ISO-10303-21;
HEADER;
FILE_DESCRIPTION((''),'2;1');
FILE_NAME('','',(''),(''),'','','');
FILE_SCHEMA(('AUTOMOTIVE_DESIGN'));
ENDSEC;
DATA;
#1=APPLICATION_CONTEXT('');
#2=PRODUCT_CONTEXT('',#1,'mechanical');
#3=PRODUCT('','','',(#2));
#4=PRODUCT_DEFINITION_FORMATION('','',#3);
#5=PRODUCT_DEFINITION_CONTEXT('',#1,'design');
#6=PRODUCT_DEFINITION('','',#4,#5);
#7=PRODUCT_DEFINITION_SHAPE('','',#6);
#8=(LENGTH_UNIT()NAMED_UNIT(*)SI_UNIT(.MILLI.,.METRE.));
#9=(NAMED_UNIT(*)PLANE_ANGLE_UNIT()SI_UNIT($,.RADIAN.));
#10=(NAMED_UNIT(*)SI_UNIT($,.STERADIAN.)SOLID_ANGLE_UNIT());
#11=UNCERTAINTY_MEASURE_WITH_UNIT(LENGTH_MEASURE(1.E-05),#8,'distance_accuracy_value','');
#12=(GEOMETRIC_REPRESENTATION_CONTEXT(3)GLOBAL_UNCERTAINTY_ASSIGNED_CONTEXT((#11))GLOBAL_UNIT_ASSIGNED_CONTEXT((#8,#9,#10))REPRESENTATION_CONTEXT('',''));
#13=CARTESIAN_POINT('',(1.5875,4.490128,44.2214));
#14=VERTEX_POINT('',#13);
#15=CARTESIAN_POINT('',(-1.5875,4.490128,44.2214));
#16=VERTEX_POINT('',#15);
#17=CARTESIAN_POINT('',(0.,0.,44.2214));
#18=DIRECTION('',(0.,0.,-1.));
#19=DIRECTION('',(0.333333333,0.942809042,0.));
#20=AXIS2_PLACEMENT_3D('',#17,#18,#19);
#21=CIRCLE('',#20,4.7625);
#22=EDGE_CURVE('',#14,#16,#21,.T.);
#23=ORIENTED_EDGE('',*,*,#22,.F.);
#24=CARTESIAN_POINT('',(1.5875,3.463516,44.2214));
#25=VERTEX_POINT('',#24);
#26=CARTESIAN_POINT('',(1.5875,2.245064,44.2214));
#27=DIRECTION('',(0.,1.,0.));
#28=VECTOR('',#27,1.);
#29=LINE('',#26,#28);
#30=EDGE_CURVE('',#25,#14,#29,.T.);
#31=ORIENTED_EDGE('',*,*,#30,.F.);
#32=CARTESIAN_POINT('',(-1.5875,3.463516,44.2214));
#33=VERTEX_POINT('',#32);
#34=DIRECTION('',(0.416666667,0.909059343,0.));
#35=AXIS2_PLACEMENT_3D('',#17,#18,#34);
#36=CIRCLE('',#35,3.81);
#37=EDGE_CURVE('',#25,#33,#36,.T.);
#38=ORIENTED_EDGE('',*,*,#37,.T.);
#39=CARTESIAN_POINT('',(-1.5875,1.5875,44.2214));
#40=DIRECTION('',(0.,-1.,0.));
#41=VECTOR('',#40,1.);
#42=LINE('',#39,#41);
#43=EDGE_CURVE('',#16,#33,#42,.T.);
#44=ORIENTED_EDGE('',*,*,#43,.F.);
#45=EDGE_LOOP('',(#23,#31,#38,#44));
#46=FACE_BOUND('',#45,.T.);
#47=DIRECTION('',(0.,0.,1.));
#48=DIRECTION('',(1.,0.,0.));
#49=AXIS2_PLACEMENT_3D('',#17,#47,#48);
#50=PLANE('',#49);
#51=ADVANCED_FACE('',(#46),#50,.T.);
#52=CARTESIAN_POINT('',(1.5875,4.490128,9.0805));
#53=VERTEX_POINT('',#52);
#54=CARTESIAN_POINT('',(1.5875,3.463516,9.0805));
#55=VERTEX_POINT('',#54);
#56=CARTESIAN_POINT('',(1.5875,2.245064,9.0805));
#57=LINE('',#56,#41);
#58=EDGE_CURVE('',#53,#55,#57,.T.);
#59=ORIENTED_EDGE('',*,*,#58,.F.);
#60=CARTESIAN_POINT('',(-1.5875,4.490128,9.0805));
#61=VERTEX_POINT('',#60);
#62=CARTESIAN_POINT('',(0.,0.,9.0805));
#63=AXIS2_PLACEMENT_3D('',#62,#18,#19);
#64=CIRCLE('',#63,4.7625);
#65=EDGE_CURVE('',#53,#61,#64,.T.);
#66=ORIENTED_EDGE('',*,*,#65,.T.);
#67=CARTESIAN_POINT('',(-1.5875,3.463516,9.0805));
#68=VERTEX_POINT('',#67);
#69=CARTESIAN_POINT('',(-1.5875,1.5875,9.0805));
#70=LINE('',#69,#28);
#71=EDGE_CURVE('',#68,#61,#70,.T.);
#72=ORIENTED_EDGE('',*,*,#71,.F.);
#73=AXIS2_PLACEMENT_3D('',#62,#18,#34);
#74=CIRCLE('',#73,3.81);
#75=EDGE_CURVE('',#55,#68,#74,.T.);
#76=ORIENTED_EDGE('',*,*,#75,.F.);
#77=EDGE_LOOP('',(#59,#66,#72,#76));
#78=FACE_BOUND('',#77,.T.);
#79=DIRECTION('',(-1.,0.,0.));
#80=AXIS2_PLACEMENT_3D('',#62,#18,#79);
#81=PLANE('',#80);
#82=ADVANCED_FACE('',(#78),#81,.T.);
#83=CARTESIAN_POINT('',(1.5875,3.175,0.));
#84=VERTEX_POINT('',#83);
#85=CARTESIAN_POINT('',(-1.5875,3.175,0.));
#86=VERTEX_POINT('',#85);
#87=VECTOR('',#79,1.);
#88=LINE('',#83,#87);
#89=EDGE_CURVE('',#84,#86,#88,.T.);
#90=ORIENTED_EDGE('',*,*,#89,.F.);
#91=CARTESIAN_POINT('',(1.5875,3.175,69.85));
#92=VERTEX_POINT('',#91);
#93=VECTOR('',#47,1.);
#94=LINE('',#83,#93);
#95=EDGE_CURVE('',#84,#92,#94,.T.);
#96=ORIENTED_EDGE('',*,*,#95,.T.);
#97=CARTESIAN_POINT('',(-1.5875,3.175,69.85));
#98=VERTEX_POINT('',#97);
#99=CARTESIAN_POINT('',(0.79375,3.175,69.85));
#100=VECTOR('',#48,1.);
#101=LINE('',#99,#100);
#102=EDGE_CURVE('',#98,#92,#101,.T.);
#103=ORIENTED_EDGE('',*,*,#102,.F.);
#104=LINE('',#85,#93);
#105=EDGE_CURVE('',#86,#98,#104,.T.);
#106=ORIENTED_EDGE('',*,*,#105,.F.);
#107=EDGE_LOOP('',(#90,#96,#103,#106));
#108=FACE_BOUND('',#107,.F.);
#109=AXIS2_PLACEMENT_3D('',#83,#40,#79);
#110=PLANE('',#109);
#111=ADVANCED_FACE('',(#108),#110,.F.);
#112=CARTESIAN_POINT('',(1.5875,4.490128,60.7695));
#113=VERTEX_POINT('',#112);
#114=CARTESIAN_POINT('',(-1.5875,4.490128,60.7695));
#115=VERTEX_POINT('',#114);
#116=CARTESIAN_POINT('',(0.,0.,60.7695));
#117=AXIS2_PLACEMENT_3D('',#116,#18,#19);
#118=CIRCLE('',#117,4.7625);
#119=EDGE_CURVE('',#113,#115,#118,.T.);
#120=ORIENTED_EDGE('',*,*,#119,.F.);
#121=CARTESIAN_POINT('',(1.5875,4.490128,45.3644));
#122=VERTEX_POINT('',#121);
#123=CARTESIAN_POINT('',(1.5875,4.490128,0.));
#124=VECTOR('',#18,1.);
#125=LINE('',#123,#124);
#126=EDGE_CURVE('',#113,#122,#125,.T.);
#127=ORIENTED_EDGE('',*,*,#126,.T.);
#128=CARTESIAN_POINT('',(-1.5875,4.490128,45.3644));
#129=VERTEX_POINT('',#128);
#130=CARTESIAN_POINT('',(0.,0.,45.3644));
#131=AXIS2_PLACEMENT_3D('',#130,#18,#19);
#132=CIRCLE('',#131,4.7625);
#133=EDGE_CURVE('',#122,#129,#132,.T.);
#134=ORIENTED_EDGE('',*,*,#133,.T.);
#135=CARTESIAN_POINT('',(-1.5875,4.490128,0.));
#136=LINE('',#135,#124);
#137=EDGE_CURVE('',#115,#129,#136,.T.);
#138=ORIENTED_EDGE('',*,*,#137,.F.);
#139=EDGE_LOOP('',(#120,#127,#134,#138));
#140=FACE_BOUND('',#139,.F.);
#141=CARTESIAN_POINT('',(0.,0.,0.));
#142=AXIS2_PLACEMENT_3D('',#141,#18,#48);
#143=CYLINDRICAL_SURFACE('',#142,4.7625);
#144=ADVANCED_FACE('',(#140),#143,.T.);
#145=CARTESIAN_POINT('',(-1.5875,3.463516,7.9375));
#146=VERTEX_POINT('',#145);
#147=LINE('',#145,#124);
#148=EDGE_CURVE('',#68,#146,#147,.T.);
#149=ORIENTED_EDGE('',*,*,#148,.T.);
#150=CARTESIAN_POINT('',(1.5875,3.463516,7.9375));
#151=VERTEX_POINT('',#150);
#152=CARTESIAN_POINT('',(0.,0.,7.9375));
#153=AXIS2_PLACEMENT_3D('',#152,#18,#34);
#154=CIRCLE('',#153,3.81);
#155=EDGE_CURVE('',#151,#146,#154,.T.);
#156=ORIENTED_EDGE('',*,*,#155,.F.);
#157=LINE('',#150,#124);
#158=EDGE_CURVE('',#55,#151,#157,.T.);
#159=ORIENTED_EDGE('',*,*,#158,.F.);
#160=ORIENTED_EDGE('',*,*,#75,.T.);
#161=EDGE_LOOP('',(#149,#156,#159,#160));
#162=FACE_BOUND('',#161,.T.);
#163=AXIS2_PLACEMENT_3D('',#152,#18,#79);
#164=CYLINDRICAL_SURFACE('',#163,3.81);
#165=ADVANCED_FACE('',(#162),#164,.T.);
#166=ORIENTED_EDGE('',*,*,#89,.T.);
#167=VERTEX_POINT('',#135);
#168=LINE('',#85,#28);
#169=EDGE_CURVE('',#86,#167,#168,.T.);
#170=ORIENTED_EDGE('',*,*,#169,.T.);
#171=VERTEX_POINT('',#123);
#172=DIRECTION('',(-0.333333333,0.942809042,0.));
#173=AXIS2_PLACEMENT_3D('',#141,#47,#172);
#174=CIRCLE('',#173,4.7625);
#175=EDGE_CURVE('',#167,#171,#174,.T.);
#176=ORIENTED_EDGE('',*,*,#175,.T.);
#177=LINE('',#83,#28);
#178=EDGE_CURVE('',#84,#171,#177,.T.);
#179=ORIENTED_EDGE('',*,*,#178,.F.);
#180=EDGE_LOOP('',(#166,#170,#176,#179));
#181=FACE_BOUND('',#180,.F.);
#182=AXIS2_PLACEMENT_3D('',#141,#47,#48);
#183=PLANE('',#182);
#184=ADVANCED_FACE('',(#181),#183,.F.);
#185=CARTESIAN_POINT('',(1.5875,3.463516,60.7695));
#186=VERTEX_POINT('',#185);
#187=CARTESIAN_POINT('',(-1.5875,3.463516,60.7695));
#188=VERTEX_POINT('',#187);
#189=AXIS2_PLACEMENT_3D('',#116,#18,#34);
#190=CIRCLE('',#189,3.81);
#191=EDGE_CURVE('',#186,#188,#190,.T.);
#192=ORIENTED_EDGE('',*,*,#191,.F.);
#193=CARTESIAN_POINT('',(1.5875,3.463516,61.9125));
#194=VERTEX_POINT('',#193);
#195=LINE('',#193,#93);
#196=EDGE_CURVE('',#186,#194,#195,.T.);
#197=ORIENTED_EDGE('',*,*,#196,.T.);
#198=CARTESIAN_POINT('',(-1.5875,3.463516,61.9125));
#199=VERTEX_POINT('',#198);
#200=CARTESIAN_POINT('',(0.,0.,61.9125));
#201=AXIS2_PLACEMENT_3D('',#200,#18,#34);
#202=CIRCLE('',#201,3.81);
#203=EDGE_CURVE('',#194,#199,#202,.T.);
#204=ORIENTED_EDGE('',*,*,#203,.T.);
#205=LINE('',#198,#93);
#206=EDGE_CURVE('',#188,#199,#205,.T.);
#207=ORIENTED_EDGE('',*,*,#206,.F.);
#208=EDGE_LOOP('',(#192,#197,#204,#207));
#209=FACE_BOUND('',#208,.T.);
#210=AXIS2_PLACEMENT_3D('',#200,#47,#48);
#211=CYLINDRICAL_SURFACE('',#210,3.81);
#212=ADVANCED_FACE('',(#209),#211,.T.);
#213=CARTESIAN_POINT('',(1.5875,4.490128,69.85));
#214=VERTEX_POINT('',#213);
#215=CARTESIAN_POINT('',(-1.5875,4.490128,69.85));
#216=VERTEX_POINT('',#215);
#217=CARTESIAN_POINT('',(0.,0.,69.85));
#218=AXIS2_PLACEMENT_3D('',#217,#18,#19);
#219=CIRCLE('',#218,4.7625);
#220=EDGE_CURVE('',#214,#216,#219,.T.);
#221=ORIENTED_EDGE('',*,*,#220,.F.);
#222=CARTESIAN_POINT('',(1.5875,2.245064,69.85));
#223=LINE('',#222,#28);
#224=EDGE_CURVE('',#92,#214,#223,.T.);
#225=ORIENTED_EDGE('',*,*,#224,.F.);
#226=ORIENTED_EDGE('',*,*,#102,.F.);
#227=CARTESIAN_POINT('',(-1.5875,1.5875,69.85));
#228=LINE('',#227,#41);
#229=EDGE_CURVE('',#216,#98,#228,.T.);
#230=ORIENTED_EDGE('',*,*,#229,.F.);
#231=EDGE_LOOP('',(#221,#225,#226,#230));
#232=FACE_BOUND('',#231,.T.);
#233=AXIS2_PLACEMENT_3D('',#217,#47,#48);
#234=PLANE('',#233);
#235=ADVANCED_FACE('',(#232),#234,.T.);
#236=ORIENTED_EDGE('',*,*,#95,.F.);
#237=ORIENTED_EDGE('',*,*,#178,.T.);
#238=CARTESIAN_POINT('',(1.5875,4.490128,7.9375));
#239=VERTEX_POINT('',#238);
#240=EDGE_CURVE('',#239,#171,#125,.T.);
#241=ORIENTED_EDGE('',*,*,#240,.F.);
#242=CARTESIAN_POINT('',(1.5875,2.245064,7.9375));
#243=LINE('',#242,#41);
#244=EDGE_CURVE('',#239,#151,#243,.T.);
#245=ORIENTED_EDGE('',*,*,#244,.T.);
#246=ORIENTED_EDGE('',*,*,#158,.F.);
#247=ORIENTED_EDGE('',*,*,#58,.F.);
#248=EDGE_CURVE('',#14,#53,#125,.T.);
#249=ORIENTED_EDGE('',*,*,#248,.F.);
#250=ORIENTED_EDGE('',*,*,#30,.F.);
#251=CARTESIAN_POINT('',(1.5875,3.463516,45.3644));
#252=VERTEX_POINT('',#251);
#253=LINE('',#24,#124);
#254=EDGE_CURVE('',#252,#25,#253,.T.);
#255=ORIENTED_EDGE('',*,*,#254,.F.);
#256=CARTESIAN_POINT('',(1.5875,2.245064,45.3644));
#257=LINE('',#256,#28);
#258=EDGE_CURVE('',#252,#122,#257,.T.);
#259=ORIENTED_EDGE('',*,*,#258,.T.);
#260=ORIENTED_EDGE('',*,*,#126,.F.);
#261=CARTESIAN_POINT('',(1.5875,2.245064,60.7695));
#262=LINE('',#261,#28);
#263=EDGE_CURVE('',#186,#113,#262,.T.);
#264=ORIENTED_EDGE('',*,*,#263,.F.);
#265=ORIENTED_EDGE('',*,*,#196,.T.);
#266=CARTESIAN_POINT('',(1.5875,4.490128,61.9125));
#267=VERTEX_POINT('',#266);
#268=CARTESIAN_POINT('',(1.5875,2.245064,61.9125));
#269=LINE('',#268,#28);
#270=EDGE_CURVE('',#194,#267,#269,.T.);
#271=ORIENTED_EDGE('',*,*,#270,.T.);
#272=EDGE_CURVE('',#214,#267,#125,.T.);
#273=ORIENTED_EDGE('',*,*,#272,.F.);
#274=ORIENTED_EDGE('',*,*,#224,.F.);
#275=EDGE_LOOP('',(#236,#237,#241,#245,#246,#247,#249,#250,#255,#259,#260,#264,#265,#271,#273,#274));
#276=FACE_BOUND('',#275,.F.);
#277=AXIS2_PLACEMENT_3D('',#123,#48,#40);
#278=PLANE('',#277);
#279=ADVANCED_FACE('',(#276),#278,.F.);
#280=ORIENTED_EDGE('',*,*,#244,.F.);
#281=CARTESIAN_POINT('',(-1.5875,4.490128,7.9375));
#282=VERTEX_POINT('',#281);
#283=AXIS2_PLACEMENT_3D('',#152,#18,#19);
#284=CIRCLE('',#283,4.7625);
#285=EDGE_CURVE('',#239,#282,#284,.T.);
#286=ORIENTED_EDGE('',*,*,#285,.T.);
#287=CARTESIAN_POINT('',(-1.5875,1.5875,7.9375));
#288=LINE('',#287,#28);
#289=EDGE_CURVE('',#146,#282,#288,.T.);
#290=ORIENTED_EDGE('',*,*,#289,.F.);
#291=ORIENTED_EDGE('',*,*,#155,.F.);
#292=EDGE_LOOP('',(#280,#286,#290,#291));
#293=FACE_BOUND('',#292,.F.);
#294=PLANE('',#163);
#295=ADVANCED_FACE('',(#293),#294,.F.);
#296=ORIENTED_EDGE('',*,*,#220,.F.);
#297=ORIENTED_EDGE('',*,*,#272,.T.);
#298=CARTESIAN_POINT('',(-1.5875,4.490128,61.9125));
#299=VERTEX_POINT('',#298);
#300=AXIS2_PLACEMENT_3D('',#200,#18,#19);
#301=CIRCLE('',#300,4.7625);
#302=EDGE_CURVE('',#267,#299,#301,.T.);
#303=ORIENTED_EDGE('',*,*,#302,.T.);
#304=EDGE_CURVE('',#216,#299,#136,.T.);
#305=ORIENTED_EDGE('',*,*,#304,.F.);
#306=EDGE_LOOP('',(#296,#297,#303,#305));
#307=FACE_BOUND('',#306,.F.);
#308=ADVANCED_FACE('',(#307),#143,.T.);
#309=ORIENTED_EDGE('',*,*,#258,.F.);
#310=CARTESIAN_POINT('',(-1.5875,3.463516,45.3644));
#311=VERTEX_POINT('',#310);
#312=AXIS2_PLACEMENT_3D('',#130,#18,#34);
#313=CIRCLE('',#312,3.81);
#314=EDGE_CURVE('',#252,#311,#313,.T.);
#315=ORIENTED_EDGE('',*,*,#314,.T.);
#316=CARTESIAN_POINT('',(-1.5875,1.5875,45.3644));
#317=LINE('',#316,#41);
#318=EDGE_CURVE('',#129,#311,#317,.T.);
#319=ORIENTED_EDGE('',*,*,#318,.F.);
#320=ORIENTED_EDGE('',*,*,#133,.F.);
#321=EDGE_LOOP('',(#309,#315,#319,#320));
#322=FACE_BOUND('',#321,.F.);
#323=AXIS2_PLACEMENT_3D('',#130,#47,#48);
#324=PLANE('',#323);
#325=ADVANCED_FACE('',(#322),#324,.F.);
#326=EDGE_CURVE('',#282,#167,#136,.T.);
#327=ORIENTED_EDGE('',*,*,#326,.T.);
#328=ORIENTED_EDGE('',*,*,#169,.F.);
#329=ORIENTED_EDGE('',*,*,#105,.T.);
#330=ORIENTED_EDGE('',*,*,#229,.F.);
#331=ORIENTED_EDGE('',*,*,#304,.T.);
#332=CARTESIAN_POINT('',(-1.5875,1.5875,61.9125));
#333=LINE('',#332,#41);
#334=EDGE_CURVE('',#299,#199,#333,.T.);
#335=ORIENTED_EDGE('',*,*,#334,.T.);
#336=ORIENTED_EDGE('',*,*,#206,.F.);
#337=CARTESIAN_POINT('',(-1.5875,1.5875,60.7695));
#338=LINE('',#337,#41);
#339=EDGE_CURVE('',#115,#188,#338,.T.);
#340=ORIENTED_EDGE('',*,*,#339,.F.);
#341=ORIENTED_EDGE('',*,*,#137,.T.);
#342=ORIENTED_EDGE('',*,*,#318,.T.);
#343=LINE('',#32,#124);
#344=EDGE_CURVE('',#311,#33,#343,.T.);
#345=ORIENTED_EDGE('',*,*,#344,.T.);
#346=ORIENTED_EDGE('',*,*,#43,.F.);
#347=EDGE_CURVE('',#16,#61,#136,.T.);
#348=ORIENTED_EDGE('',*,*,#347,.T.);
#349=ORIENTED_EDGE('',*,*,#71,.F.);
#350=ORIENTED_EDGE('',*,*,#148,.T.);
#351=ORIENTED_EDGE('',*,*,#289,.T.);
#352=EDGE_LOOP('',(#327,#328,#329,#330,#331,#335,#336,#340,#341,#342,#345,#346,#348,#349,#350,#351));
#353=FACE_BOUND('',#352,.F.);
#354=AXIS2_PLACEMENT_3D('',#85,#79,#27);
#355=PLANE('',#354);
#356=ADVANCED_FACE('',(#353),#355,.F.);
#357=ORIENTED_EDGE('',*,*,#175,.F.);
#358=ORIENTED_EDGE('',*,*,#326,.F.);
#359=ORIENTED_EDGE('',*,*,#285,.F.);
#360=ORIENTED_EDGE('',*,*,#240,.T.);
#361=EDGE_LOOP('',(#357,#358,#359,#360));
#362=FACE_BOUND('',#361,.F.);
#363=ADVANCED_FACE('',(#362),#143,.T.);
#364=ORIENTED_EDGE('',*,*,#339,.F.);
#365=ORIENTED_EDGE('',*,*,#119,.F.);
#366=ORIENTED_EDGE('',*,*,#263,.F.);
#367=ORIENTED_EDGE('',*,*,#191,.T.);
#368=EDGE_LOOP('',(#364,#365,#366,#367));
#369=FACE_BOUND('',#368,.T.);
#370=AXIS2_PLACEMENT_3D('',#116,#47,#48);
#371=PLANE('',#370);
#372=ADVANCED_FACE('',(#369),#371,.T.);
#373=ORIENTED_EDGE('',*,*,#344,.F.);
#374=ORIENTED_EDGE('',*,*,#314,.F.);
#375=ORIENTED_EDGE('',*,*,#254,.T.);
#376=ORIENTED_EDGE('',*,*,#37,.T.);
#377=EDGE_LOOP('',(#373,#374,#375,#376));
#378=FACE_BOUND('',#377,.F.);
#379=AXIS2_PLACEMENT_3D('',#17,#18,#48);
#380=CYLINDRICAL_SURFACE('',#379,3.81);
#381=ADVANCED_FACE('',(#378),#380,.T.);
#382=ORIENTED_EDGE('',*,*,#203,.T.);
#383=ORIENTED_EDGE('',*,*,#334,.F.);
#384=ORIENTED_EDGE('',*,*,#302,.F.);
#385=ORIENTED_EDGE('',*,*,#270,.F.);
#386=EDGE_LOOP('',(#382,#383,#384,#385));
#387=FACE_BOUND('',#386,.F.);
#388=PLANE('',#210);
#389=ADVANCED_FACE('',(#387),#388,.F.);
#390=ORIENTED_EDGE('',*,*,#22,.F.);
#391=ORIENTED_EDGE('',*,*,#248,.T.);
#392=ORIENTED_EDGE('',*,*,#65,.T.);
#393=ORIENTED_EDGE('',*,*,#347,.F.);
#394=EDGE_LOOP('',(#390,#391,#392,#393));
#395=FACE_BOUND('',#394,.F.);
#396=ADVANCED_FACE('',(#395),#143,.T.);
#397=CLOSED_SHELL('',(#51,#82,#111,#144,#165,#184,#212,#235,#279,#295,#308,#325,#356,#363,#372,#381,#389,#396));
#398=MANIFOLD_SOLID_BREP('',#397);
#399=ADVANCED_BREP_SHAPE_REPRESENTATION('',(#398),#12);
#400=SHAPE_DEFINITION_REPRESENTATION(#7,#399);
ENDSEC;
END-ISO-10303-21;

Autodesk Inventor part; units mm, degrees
sketch "Sketch1" plane through (0, 0, 0) normal (0, 0, 1) x (1, 0, 0)
  circle A0 centre (0, 0) radius 4.7625
  line L0 (-1.5875, 6.35) -> (1.5875, 6.35)
  line L1 (1.5875, 6.35) -> (1.5875, 3.175)
  line L2 (1.5875, 3.175) -> (-1.5875, 3.175)
  line L3 (-1.5875, 3.175) -> (-1.5875, 6.35)
  dimension "d0" = 9.525
  dimension "d16" = 3.175
  dimension "d17" = 3.175
  dimension "d18" = 1.5875
  dimension "d19" = 6.35
extrude "Extrusion1" add sketch "Sketch1" along normal blind 69.85 contours A0 L3 L2 L1 | L1 L2 L3 A0
ref_plane "Work Plane1" through (0, 0, 61.9125) normal (0, 0, 1) x (1, 0, 0)
sketch "Sketch2" plane through (0, 0, 61.9125) normal (0, 0, 1) x (1, 0, 0)
  circle A0 centre (0, 0) radius 3.81
  circle A1 centre (0, 0) radius 4.7625 projected
  dimension "d4" = 7.62
extrude "Extrusion2" cut sketch "Sketch2" against normal blind 1.143
ref_plane "Work Plane2" through (0, 0, 7.9375) normal (0, 0, -1) x (-1, 0, 0)
sketch "Sketch3" plane through (0, 0, 7.9375) normal (0, 0, -1) x (-1, 0, 0)
  circle A0 centre (0, 0) radius 3.81 projected
  circle A1 centre (0, 0) radius 4.7625 projected
extrude "Extrusion3" cut sketch "Sketch3" against normal blind 1.143
ref_plane "Work Plane3" through (0, 0, 44.2214) normal (0, 0, 1) x (1, 0, 0)
sketch "Sketch4" plane through (0, 0, 44.2214) normal (0, 0, 1) x (1, 0, 0)
  circle A0 centre (0, 0) radius 3.81 projected
  circle A1 centre (0, 0) radius 4.7625 projected
extrude "Extrusion4" cut sketch "Sketch4" along normal blind 1.143
ref_plane "Work Plane4" through (0, 0, 68.1736) normal (0, 0, 1) x (1, 0, 0)
extrude "Extrusion6" cut sketch "Sketch1" along normal through all contours L1 L2 L3 A0 | A0 L3 L0 L1 picked at (-0.1794, 3.694)
equation "\"d17\" = d16"
equation "\"d18\" = 0.5 * d16"
properties part number "lower box upper shaft"
